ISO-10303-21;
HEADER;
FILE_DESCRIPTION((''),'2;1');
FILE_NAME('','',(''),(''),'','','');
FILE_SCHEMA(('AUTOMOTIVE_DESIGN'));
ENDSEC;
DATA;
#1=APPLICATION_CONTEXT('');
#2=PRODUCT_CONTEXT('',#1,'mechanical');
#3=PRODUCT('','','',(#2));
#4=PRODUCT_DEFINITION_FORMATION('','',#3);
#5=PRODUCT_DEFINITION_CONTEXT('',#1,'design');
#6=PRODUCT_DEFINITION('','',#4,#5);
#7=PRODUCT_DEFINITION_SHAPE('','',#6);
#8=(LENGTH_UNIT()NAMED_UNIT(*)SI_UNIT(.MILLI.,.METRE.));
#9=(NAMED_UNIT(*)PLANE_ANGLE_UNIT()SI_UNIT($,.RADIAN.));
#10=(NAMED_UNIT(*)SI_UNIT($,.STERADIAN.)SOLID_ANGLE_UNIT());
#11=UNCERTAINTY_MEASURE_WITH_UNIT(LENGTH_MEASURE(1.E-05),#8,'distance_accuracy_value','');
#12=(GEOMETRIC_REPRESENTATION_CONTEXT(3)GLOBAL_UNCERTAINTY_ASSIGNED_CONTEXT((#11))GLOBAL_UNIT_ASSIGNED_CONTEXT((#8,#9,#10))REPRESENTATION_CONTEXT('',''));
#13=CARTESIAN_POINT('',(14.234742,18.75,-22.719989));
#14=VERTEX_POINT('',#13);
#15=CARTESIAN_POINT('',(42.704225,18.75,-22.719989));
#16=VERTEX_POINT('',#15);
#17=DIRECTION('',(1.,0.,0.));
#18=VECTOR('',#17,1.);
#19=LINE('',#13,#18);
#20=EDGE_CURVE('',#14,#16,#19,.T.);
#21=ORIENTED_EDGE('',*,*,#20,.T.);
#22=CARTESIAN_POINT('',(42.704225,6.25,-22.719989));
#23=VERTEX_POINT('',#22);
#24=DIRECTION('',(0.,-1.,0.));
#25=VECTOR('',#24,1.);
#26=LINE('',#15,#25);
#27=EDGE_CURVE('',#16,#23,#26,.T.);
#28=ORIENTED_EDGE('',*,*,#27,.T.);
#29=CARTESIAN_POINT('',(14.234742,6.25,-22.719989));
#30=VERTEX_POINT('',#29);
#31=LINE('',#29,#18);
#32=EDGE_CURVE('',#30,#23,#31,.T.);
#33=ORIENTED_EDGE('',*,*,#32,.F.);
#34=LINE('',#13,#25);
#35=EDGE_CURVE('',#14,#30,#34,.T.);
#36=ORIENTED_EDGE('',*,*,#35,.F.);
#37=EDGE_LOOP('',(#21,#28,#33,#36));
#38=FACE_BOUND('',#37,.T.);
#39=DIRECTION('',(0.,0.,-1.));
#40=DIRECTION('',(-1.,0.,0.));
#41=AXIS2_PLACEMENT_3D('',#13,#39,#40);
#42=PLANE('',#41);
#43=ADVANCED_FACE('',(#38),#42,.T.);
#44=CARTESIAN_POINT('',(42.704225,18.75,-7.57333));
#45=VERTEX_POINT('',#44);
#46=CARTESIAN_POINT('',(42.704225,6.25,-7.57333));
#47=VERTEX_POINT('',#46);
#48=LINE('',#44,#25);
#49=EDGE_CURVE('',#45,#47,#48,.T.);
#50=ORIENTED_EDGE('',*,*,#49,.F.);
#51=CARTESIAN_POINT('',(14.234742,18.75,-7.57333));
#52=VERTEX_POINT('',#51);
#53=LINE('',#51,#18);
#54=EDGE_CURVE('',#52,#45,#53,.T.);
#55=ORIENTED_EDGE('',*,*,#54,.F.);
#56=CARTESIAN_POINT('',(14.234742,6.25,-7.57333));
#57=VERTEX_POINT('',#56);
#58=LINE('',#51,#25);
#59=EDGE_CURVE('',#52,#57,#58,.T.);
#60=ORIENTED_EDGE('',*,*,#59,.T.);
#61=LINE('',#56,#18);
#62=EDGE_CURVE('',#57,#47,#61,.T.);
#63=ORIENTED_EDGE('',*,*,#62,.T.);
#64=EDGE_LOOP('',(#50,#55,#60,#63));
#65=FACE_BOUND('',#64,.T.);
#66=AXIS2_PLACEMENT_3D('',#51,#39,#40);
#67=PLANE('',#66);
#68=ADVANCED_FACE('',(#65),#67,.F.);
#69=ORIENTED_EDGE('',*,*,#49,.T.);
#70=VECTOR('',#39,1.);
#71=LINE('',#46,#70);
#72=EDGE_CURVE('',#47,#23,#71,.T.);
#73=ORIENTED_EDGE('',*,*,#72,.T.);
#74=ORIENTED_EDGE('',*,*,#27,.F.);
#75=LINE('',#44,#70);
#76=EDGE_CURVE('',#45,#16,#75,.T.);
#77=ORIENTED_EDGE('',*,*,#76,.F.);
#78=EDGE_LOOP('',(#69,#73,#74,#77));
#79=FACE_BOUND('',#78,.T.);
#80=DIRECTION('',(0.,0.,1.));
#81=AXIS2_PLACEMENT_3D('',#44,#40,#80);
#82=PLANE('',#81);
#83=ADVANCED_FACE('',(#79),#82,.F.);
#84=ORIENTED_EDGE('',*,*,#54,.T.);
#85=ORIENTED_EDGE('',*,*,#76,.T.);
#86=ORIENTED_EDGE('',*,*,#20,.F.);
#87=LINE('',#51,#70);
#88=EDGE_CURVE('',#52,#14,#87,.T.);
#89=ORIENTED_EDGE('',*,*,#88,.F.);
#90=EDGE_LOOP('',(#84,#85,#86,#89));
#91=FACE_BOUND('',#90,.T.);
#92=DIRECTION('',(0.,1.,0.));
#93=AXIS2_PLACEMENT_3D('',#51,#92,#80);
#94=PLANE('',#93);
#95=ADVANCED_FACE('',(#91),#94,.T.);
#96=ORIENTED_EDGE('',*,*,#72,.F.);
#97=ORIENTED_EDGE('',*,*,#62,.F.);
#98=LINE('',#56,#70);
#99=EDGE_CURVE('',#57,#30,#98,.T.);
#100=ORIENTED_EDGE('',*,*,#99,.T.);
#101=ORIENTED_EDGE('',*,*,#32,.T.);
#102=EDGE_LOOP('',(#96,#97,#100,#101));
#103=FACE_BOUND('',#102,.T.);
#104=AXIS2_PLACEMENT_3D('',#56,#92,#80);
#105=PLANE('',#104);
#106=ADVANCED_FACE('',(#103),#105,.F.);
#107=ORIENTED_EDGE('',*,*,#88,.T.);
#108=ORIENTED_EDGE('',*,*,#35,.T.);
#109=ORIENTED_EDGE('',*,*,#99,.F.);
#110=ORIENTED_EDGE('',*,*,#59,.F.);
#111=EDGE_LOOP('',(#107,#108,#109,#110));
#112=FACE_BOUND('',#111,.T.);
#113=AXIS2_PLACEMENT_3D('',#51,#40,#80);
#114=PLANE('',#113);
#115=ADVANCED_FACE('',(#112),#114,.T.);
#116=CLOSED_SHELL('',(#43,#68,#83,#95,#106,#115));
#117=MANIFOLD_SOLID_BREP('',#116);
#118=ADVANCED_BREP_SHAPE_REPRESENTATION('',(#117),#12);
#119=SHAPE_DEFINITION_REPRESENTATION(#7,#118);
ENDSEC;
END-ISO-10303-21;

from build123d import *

# Parameters (mm, degrees)
SKETCH1_W           = 56.938967001
SKETCH1_H           = 30.293318486
BOSS_EXTRUDE1_DEPTH = 25
SCALE1_SCALE        = 0.5


with BuildPart() as part:
    # Sketch1 → Boss-Extrude1 (new body)
    with BuildSketch(Plane(origin=(0, 0, 0), x_dir=(1, 0, 0), z_dir=(0, 1, 0))):
        with Locations((28.469483501, 15.146659243)):
            Rectangle(SKETCH1_W, SKETCH1_H)
    extrude(amount=BOSS_EXTRUDE1_DEPTH)


with BuildPart() as part_1:
    # Scale1: scaled about (28.4694835, 12.5, -15.146659243)
    add(part.part.scale(SCALE1_SCALE).moved(Location((14.23474175, 6.25, -7.573329622))))


solid = part_1.part
